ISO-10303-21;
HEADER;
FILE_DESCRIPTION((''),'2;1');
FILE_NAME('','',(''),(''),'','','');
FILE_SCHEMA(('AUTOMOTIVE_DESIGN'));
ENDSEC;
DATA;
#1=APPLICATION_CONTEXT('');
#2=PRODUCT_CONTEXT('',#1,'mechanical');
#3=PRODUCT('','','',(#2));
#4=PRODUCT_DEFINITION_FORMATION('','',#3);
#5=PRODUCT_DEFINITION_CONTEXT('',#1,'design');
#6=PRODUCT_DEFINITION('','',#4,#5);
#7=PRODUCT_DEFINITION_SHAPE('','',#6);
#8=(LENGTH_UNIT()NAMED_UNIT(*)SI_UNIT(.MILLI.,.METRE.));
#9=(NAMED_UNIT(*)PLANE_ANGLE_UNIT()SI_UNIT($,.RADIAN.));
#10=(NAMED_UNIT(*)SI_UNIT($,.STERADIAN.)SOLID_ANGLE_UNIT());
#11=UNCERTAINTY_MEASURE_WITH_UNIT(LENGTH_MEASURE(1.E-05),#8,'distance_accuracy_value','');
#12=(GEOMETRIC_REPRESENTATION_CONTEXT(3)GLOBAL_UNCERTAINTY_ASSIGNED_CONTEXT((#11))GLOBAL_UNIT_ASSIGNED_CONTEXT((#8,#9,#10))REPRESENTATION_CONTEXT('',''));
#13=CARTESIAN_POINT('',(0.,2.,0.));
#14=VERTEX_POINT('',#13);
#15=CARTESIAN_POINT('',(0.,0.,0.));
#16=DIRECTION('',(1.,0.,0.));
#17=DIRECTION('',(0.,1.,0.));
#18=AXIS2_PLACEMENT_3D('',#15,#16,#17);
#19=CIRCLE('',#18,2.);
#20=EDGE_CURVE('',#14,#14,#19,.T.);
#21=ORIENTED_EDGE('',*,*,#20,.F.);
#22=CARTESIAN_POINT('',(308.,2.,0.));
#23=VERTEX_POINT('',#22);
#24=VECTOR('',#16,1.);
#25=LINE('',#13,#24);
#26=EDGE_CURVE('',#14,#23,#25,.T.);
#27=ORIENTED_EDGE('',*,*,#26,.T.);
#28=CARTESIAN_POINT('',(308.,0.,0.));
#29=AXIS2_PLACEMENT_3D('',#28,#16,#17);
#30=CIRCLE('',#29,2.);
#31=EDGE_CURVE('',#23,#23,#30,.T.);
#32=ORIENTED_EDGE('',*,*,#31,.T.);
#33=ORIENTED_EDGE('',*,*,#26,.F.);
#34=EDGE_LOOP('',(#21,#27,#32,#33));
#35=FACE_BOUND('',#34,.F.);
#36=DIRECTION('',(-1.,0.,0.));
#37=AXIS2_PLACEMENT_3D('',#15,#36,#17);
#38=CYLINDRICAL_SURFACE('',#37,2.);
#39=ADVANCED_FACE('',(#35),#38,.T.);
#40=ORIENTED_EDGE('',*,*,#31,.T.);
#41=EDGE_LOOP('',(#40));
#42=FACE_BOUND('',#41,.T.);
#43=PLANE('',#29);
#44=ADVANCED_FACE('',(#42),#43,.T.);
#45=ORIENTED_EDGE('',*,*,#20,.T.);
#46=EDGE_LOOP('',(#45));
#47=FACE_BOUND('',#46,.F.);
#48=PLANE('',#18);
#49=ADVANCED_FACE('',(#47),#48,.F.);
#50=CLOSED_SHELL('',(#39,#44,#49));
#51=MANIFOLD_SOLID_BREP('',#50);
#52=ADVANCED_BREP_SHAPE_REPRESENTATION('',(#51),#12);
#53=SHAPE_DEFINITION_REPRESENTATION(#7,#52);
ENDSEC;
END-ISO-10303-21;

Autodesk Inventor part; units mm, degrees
ref_plane "YZ Plane" through (0, 0, 0) normal (1, 0, 0) x (0, 1, 0)
ref_plane "XZ Plane" through (0, 0, 0) normal (0, 1, 0) x (-1, 0, 0)
ref_plane "XY Plane" through (0, 0, 0) normal (0, 0, 1) x (1, 0, 0)
sketch "スケッチ1" plane through (0, 0, 0) normal (1, 0, 0) x (0, 1, 0)
  circle A0 centre (0, 0) radius 2
  dimension "d0" = 4
extrude "押し出し1" add sketch "スケッチ1" along normal blind 308
properties part number "roller-hand-v2-Shaft-link2" material "アルミニウム 6061"
